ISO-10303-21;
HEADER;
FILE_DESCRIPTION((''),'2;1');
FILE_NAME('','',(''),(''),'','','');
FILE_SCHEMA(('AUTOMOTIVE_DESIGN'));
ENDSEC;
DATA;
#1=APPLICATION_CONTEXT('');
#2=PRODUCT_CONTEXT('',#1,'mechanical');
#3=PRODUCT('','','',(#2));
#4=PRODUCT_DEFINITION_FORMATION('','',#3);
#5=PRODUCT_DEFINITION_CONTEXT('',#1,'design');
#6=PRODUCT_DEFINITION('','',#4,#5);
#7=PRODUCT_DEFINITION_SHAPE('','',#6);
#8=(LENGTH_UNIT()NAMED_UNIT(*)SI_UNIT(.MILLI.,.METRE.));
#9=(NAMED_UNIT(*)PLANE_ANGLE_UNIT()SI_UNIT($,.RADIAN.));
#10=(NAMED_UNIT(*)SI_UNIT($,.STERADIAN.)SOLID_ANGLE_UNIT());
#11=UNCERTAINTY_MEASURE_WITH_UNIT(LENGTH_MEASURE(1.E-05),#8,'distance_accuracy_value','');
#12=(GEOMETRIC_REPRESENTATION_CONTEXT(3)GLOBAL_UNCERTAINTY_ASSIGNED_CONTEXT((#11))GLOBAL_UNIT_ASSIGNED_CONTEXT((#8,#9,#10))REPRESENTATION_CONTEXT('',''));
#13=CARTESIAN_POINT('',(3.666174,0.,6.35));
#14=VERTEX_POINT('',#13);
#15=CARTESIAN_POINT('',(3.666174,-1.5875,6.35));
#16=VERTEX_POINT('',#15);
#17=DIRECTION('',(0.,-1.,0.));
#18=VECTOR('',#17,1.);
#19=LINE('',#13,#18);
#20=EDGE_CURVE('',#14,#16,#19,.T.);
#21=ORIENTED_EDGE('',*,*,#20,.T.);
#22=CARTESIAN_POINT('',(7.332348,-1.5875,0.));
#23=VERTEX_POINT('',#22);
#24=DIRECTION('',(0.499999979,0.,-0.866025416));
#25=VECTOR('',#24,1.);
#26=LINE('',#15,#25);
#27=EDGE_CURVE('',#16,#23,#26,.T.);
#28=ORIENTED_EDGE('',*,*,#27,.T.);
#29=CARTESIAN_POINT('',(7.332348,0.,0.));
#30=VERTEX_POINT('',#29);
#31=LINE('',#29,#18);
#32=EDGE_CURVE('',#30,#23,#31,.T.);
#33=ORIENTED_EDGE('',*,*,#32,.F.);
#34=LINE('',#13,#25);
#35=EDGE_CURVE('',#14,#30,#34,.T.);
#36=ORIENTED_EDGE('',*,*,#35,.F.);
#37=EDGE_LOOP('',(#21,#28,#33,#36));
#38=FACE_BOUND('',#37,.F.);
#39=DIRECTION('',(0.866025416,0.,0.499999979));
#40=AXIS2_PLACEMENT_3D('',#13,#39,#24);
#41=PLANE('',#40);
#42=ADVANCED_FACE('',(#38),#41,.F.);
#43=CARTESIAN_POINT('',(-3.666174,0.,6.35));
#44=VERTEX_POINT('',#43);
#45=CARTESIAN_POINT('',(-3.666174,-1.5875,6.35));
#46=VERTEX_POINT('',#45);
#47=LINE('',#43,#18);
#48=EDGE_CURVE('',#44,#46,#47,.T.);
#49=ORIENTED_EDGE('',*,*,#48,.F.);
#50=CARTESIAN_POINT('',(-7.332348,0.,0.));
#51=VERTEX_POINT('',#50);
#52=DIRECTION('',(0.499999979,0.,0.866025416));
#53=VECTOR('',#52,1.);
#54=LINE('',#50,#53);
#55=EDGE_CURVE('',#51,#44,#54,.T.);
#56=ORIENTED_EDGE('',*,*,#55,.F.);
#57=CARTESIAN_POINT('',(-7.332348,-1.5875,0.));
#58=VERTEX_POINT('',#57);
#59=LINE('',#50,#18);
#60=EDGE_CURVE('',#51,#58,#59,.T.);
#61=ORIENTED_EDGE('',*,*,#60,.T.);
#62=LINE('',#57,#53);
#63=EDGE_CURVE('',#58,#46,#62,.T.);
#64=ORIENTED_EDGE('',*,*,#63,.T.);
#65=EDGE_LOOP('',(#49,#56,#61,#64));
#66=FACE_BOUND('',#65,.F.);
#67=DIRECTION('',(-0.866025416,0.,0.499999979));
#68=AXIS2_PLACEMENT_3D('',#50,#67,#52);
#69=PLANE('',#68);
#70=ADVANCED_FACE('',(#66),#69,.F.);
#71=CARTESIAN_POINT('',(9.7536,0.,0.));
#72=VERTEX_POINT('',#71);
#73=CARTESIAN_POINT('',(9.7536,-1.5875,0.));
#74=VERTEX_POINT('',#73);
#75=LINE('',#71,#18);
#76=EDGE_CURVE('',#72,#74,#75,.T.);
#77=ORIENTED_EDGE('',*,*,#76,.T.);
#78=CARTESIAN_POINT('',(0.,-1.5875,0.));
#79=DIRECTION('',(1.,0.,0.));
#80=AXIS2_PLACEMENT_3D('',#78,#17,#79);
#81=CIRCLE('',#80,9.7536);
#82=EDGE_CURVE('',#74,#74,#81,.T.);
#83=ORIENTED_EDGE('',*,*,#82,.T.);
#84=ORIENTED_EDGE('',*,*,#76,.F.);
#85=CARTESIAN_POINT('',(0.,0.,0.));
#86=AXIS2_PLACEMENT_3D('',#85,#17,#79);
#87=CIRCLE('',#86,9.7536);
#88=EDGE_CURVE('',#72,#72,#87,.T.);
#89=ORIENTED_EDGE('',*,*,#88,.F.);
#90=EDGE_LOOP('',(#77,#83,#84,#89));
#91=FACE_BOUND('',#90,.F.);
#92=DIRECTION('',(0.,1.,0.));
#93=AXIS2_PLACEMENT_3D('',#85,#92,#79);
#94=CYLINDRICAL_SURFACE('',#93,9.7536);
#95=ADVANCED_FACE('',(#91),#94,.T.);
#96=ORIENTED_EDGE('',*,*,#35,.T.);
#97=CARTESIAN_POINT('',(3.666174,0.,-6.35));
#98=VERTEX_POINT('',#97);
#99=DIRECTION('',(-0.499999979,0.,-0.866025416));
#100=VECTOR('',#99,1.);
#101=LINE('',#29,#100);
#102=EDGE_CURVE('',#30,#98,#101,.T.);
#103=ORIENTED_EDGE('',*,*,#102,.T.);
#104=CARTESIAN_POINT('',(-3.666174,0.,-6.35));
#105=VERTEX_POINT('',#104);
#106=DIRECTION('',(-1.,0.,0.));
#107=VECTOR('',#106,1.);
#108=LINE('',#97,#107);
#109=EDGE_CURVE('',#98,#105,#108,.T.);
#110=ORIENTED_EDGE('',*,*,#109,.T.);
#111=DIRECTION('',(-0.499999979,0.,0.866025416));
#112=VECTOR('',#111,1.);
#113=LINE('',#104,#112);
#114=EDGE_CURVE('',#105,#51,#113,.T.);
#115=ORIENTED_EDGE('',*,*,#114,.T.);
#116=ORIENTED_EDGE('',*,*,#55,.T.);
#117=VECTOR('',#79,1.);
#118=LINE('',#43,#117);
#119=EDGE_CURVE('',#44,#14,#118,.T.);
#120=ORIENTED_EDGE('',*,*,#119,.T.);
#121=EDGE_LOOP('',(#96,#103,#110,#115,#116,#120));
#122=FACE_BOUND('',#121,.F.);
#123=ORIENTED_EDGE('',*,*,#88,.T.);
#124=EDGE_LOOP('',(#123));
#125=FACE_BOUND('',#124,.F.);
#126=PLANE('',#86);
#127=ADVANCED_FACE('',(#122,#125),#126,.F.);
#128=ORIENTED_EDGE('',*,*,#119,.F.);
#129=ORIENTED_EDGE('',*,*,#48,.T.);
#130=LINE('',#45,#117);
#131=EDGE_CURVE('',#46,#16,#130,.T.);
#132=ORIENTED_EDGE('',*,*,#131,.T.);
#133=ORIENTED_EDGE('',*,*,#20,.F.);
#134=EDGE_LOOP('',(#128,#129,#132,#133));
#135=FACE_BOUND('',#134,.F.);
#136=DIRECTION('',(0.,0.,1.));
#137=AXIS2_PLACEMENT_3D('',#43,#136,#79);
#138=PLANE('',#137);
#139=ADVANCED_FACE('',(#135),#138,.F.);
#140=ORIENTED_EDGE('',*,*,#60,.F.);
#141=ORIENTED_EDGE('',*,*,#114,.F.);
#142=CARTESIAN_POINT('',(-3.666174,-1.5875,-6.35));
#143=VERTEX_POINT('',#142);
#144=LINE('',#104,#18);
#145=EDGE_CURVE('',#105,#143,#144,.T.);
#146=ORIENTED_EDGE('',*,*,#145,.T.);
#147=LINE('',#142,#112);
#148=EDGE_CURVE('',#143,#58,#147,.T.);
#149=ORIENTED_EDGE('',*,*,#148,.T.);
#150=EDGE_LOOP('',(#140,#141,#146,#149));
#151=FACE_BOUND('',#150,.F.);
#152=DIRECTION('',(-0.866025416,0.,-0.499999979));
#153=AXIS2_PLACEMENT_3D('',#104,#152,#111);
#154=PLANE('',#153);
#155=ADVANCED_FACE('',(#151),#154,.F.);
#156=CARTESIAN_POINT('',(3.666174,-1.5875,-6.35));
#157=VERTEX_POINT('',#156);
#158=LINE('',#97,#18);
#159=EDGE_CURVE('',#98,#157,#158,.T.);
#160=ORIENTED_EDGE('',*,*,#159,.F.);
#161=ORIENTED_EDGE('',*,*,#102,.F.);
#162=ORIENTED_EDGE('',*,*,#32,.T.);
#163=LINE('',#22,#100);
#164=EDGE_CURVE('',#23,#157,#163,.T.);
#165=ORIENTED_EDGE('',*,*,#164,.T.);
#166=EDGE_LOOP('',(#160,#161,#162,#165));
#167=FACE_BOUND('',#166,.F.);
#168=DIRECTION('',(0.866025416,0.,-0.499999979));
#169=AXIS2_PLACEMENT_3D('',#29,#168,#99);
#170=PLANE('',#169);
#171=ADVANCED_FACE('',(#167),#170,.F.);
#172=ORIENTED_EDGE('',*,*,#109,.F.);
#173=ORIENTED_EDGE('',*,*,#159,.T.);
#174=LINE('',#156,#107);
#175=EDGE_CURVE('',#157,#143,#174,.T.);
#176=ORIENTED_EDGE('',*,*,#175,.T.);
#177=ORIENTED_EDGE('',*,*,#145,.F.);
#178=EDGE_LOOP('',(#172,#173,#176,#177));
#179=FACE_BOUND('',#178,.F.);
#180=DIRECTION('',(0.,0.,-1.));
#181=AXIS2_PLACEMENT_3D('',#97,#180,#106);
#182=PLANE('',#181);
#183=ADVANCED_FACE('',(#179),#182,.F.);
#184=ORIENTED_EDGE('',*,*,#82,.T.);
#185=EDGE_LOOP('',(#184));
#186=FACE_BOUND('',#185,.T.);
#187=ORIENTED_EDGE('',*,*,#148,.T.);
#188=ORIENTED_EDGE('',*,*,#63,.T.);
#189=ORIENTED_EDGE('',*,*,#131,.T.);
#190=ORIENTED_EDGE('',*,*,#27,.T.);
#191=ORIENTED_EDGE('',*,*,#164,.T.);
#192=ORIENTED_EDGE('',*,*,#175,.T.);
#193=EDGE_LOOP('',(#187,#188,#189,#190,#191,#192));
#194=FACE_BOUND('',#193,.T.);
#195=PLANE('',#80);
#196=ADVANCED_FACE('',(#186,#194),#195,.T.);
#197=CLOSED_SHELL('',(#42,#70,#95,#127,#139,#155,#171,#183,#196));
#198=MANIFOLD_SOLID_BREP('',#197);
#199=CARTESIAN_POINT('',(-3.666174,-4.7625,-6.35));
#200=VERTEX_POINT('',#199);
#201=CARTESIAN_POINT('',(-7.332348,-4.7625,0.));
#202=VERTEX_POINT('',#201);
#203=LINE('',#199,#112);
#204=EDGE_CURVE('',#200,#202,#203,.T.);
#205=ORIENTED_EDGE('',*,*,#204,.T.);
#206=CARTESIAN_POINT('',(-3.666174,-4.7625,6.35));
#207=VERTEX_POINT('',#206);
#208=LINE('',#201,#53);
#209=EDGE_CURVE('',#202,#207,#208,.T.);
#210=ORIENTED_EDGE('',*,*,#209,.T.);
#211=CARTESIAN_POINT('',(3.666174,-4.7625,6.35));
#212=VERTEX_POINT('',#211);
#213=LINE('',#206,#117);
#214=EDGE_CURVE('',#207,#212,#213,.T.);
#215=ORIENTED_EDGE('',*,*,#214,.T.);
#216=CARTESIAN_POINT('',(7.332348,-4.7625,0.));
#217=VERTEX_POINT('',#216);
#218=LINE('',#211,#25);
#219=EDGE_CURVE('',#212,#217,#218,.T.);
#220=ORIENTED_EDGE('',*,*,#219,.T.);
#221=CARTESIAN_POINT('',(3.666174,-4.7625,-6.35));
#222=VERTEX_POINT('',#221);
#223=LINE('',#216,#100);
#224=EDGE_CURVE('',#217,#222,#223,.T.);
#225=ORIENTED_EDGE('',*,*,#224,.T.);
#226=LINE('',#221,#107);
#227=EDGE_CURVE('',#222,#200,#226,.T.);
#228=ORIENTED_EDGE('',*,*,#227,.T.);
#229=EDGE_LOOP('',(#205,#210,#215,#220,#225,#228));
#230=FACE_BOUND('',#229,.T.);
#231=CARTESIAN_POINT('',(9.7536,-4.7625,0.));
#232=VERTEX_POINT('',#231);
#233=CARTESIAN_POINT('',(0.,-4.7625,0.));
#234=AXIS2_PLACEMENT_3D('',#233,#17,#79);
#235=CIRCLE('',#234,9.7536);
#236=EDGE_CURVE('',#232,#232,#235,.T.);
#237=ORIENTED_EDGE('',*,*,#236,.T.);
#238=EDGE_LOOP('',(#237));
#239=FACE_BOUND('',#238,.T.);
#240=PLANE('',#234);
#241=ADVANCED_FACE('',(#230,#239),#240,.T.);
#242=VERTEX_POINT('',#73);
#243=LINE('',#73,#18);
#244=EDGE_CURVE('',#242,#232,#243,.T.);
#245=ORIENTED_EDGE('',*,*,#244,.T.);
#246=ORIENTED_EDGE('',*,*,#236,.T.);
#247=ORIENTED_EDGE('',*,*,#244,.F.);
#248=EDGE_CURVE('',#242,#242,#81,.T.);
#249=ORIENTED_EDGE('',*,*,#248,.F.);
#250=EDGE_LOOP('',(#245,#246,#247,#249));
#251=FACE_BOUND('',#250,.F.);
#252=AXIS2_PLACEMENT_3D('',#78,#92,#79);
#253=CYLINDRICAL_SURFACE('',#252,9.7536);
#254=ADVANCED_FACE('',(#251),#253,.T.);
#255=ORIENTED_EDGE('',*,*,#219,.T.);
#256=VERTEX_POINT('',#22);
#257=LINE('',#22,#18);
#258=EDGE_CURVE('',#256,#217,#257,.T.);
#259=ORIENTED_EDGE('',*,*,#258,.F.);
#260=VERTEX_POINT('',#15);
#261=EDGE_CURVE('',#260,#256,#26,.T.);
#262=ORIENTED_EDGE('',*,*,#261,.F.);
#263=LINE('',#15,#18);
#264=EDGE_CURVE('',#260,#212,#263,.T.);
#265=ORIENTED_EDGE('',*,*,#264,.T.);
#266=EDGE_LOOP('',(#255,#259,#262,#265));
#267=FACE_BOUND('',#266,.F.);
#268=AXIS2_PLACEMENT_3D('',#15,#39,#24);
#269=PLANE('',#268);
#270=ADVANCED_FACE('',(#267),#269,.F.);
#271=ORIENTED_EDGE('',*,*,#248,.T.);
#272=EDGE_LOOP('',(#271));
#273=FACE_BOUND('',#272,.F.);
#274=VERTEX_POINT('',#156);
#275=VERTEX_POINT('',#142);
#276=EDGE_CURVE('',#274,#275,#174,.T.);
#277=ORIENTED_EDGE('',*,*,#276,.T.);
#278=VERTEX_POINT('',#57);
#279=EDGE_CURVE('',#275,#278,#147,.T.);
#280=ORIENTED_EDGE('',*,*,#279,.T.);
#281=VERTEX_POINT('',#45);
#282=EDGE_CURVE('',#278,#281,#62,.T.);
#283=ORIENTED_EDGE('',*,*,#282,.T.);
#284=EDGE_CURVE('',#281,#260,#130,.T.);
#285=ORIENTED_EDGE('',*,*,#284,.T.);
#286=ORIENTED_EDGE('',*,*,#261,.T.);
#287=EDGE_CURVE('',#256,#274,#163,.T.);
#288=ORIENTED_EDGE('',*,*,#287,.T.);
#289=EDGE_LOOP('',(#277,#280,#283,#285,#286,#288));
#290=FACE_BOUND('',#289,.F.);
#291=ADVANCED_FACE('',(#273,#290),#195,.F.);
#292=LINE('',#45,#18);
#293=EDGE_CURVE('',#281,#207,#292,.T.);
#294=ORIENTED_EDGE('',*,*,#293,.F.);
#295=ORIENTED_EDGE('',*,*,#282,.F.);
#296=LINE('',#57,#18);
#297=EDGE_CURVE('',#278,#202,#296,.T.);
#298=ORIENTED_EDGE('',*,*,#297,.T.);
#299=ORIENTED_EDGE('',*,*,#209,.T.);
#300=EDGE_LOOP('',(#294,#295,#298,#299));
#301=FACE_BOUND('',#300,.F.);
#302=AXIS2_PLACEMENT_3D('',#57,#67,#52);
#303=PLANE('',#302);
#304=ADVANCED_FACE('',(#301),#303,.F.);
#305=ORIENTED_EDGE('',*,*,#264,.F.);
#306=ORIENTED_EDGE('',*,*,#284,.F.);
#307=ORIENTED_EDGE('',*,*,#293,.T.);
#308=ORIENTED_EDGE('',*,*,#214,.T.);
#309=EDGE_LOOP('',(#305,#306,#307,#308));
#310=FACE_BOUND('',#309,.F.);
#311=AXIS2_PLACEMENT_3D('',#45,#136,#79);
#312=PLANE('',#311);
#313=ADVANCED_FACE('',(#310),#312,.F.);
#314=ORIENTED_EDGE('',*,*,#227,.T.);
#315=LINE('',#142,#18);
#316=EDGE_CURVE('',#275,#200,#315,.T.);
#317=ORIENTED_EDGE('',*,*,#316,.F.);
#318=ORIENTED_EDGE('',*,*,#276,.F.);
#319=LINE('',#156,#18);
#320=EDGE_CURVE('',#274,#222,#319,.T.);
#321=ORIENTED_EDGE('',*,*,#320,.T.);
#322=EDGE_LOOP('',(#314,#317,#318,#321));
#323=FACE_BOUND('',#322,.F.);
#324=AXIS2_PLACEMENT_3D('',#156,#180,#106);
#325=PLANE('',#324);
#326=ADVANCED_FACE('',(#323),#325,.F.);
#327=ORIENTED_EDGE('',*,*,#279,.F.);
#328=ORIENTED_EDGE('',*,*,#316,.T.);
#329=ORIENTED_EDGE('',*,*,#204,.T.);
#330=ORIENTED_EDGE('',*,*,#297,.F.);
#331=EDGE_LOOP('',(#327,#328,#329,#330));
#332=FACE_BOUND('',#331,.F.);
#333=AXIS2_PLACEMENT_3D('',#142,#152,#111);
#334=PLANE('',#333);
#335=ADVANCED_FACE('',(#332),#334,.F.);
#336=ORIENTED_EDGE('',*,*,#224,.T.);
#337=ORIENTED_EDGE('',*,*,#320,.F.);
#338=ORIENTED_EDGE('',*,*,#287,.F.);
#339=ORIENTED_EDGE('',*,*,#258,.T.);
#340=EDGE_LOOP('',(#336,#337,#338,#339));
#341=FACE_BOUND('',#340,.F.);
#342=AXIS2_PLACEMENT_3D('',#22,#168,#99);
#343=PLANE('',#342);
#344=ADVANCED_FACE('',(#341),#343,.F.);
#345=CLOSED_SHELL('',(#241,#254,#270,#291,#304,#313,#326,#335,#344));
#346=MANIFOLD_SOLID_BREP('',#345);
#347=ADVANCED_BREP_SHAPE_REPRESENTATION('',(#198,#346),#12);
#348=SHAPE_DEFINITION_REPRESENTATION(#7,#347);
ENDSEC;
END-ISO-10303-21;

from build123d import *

# Parameters (mm, degrees)
F0_R     = 9.7536
F1_DEPTH = 1.5875
F2_R     = 9.7536
F3_DEPTH = 3.175


with BuildPart() as f1:
    # F0 (on Front) → F1 (new body)
    with BuildSketch(Plane.XZ):
        Circle(F0_R)
        Polygon((-3.666174, -6.35), (-7.332348, 0), (-3.666174, 6.35), (3.666174, 6.35), (7.332348, 0), (3.666174, -6.35), align=None, mode=Mode.SUBTRACT)
    extrude(amount=F1_DEPTH)


with BuildPart() as f3:
    # F2 (on face) → F3 (new body)
    with BuildSketch(Plane.XZ.offset(1.5875)):
        Circle(F2_R)
        Polygon((-7.332348, 0), (-3.666174, 6.35), (3.666174, 6.35), (7.332348, 0), (3.666174, -6.35), (-3.666174, -6.35), align=None, mode=Mode.SUBTRACT)
    extrude(amount=F3_DEPTH)


solid = Compound([f1.part, f3.part])
